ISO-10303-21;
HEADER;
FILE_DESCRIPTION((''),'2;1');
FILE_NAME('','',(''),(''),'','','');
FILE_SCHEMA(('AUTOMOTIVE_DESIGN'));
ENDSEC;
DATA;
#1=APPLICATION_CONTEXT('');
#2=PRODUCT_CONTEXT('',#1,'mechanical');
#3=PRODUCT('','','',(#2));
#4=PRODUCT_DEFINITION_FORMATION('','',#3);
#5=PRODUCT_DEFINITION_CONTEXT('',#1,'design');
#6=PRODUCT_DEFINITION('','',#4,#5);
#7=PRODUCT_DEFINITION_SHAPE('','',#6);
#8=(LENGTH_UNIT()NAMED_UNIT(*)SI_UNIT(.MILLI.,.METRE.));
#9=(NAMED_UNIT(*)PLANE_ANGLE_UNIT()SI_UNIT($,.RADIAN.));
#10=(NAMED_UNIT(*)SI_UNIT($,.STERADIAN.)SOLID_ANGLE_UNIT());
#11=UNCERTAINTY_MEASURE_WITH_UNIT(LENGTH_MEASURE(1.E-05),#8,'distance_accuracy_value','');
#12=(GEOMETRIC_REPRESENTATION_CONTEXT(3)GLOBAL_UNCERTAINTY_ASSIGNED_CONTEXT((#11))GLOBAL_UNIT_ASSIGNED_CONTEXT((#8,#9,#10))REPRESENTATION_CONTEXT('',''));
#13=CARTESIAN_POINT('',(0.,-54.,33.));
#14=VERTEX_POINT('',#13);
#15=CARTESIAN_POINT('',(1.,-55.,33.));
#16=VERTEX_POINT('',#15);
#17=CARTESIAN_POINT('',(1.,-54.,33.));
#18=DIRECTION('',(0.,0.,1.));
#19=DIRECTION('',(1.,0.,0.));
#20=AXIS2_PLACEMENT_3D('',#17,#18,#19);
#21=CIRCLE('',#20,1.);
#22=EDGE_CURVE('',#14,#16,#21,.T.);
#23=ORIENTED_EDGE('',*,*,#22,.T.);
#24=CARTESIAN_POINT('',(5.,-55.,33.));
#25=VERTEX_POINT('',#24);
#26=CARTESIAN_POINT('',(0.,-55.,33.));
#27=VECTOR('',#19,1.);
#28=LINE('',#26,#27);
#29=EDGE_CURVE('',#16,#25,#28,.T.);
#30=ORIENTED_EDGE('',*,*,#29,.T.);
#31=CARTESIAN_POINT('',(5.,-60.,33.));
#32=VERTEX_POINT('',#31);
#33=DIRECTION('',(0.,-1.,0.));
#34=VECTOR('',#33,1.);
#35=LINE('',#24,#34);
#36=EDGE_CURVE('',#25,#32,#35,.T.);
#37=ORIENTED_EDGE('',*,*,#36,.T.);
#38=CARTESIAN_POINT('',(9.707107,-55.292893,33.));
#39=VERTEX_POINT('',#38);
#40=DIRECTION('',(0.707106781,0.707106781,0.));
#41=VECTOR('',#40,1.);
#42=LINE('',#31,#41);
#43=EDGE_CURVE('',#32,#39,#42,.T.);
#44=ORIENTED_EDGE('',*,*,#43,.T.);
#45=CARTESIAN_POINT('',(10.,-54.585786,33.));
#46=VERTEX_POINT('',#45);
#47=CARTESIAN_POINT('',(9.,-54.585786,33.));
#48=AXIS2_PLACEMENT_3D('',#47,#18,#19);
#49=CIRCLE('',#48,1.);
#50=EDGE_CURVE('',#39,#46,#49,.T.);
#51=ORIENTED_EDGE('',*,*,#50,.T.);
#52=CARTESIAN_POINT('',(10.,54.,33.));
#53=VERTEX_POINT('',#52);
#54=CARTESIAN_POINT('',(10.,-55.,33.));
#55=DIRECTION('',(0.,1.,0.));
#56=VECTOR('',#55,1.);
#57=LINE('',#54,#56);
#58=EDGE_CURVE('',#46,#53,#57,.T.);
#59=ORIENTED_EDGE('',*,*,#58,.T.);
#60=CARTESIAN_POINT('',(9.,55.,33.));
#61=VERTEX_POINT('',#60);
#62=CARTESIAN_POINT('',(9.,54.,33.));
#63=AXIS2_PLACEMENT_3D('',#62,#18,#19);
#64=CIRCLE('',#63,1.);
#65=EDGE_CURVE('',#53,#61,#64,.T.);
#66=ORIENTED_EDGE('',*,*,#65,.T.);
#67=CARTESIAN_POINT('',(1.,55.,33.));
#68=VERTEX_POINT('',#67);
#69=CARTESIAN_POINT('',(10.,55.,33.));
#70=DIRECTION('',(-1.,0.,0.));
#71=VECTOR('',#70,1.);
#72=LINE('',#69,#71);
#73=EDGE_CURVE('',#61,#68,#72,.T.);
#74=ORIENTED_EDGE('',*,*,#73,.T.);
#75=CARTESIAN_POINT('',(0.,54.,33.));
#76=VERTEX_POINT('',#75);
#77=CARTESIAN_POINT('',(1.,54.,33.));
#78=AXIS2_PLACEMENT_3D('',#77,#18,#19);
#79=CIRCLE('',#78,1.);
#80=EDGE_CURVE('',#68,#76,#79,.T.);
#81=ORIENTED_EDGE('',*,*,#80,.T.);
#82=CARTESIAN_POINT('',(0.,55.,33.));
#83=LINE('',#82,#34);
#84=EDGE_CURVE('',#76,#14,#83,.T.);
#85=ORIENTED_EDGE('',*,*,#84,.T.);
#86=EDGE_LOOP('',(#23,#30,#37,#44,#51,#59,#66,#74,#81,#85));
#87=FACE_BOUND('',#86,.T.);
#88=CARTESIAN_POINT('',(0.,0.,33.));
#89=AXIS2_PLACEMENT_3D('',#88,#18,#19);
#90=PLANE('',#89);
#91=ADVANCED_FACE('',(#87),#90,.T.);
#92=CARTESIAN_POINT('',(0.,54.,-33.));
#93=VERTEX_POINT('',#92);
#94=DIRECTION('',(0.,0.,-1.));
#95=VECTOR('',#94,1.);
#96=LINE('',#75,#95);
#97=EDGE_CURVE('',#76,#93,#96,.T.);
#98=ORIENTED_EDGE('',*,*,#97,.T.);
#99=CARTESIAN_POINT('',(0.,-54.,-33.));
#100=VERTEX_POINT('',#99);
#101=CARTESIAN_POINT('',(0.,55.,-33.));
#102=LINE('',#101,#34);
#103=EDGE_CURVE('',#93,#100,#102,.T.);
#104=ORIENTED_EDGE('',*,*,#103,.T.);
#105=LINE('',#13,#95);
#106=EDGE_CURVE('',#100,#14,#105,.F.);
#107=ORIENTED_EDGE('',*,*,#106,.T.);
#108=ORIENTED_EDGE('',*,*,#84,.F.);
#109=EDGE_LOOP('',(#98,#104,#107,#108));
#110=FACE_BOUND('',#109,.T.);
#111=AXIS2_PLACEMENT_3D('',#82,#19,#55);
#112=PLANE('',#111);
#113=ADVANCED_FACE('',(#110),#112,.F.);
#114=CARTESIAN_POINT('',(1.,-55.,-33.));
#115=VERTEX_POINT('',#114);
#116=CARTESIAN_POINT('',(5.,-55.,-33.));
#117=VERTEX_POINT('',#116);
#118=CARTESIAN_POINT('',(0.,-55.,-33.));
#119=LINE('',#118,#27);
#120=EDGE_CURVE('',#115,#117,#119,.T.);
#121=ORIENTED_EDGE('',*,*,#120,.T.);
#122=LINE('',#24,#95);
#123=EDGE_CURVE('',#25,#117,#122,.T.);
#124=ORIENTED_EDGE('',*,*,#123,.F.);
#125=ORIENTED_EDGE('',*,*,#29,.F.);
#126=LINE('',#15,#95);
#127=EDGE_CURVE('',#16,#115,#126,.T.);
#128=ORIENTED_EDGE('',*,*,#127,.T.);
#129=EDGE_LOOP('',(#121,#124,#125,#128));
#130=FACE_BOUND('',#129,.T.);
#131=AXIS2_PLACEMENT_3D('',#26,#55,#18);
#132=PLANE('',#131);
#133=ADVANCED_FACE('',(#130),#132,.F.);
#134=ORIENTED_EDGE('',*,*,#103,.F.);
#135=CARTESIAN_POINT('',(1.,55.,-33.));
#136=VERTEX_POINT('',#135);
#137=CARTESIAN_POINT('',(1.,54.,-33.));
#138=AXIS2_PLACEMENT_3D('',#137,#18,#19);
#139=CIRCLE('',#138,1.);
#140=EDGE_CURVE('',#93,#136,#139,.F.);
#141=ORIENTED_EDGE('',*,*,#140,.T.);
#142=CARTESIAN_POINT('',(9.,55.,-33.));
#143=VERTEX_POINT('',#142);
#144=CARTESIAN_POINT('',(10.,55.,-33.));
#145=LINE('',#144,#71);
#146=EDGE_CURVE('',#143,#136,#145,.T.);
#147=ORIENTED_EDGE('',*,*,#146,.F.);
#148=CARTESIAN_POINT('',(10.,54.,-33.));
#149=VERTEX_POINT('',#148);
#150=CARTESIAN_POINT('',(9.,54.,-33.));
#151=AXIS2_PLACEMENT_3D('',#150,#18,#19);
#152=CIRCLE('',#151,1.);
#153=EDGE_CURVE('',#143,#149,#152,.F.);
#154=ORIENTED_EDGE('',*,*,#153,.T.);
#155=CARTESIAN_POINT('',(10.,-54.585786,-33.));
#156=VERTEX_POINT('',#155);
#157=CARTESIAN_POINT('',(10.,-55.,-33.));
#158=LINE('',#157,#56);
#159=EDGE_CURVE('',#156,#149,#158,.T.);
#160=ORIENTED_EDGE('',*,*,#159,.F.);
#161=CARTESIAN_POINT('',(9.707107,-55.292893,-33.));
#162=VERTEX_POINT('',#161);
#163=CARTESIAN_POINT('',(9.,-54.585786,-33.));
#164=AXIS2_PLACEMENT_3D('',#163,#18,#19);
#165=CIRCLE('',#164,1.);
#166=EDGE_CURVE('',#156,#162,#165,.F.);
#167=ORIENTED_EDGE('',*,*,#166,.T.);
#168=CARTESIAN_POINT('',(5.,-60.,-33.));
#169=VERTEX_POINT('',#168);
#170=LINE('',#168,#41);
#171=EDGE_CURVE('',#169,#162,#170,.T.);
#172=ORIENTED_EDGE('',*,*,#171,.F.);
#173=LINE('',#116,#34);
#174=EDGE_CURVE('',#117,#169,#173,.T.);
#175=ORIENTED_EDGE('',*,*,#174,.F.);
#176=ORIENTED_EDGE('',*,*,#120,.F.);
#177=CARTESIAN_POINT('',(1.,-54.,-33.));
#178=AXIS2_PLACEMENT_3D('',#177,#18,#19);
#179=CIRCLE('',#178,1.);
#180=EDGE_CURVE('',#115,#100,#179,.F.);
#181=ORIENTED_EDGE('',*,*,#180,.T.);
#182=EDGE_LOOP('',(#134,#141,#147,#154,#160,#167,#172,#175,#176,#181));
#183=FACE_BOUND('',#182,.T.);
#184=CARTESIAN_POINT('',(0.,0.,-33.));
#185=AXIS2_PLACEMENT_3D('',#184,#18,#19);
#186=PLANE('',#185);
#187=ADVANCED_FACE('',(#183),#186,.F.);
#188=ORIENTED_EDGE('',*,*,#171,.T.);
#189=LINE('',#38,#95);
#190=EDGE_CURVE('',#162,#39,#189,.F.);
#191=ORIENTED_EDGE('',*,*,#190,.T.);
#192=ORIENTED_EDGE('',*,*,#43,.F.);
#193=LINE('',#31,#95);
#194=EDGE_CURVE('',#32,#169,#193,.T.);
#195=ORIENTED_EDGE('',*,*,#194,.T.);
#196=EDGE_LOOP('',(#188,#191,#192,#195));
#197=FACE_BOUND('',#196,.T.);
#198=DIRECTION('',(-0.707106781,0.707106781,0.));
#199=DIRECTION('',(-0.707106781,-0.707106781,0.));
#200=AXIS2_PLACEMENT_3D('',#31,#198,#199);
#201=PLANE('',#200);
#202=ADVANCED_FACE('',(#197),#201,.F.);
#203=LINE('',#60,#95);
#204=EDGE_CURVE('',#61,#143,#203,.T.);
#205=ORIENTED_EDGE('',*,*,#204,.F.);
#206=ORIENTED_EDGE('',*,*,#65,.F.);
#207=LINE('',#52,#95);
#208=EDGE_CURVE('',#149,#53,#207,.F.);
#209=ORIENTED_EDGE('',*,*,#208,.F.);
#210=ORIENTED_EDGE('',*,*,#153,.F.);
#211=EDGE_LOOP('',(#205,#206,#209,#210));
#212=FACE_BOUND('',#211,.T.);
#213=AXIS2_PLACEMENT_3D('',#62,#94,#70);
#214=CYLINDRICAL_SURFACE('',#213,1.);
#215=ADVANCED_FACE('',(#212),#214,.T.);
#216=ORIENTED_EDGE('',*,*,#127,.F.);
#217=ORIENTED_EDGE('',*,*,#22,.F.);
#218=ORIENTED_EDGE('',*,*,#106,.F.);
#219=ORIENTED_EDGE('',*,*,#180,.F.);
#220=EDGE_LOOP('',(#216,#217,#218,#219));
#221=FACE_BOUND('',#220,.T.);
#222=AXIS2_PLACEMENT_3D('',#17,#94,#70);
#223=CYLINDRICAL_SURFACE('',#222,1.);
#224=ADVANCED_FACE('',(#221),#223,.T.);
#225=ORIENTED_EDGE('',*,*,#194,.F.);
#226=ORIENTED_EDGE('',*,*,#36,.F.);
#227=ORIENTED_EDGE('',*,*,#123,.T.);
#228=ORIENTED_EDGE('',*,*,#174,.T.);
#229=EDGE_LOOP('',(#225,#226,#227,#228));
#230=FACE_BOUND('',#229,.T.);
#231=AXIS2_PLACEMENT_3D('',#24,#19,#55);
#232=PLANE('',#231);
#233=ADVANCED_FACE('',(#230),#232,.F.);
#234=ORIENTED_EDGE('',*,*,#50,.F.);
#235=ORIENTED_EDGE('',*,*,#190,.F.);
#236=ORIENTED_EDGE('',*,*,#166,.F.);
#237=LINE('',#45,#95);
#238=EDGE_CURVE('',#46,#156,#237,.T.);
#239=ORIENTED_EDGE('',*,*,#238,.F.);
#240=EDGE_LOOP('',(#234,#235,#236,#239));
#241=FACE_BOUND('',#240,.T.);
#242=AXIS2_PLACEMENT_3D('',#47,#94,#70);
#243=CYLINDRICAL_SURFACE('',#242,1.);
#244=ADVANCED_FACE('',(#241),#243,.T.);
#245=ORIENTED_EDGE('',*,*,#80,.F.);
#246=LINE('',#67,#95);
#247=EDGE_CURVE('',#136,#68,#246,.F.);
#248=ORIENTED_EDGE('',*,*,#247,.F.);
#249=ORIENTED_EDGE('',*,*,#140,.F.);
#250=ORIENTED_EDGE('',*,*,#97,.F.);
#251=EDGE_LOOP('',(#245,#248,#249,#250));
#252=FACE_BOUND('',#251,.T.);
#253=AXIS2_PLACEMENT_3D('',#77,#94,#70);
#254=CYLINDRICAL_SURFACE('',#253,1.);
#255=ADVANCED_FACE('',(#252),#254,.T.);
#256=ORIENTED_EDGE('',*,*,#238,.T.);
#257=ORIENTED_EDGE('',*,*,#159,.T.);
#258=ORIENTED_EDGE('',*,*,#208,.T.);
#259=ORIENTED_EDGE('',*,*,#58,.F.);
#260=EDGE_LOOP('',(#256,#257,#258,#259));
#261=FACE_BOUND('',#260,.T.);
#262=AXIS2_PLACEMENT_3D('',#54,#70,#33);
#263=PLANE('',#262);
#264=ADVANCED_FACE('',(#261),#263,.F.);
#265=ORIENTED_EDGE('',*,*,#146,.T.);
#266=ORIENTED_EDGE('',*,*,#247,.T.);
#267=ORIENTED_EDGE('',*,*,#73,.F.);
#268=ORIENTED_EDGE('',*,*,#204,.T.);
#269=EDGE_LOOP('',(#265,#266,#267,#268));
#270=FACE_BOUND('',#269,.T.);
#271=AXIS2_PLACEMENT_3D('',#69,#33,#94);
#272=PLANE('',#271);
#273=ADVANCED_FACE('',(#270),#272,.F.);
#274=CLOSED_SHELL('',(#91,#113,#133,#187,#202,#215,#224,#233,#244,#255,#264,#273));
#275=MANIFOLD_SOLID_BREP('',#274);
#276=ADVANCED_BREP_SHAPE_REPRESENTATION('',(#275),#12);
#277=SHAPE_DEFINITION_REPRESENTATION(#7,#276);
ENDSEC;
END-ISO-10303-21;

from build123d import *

# Parameters (mm, degrees)
BOSS_EXTRUDE1_DEPTH = 33
FILLET1_R           = 1


with BuildPart() as part:
    # Sketch1 → Boss-Extrude1 (new, symmetric)
    with BuildSketch(Plane.XY):
        Polygon((5, -55), (5, -60), (10, -55), (10, 55), (0, 55), (0, -55), align=None)
    extrude(amount=BOSS_EXTRUDE1_DEPTH, both=True)

    # Fillet1
    fillet1_edges = [part.edges().sort_by_distance(p)[0] for p in [
        (10, -55, 0),
        (0, -55, 0),
        (0, 55, 0),
        (10, 55, 0),
    ]]
    fillet(fillet1_edges, radius=FILLET1_R)


solid = part.part
